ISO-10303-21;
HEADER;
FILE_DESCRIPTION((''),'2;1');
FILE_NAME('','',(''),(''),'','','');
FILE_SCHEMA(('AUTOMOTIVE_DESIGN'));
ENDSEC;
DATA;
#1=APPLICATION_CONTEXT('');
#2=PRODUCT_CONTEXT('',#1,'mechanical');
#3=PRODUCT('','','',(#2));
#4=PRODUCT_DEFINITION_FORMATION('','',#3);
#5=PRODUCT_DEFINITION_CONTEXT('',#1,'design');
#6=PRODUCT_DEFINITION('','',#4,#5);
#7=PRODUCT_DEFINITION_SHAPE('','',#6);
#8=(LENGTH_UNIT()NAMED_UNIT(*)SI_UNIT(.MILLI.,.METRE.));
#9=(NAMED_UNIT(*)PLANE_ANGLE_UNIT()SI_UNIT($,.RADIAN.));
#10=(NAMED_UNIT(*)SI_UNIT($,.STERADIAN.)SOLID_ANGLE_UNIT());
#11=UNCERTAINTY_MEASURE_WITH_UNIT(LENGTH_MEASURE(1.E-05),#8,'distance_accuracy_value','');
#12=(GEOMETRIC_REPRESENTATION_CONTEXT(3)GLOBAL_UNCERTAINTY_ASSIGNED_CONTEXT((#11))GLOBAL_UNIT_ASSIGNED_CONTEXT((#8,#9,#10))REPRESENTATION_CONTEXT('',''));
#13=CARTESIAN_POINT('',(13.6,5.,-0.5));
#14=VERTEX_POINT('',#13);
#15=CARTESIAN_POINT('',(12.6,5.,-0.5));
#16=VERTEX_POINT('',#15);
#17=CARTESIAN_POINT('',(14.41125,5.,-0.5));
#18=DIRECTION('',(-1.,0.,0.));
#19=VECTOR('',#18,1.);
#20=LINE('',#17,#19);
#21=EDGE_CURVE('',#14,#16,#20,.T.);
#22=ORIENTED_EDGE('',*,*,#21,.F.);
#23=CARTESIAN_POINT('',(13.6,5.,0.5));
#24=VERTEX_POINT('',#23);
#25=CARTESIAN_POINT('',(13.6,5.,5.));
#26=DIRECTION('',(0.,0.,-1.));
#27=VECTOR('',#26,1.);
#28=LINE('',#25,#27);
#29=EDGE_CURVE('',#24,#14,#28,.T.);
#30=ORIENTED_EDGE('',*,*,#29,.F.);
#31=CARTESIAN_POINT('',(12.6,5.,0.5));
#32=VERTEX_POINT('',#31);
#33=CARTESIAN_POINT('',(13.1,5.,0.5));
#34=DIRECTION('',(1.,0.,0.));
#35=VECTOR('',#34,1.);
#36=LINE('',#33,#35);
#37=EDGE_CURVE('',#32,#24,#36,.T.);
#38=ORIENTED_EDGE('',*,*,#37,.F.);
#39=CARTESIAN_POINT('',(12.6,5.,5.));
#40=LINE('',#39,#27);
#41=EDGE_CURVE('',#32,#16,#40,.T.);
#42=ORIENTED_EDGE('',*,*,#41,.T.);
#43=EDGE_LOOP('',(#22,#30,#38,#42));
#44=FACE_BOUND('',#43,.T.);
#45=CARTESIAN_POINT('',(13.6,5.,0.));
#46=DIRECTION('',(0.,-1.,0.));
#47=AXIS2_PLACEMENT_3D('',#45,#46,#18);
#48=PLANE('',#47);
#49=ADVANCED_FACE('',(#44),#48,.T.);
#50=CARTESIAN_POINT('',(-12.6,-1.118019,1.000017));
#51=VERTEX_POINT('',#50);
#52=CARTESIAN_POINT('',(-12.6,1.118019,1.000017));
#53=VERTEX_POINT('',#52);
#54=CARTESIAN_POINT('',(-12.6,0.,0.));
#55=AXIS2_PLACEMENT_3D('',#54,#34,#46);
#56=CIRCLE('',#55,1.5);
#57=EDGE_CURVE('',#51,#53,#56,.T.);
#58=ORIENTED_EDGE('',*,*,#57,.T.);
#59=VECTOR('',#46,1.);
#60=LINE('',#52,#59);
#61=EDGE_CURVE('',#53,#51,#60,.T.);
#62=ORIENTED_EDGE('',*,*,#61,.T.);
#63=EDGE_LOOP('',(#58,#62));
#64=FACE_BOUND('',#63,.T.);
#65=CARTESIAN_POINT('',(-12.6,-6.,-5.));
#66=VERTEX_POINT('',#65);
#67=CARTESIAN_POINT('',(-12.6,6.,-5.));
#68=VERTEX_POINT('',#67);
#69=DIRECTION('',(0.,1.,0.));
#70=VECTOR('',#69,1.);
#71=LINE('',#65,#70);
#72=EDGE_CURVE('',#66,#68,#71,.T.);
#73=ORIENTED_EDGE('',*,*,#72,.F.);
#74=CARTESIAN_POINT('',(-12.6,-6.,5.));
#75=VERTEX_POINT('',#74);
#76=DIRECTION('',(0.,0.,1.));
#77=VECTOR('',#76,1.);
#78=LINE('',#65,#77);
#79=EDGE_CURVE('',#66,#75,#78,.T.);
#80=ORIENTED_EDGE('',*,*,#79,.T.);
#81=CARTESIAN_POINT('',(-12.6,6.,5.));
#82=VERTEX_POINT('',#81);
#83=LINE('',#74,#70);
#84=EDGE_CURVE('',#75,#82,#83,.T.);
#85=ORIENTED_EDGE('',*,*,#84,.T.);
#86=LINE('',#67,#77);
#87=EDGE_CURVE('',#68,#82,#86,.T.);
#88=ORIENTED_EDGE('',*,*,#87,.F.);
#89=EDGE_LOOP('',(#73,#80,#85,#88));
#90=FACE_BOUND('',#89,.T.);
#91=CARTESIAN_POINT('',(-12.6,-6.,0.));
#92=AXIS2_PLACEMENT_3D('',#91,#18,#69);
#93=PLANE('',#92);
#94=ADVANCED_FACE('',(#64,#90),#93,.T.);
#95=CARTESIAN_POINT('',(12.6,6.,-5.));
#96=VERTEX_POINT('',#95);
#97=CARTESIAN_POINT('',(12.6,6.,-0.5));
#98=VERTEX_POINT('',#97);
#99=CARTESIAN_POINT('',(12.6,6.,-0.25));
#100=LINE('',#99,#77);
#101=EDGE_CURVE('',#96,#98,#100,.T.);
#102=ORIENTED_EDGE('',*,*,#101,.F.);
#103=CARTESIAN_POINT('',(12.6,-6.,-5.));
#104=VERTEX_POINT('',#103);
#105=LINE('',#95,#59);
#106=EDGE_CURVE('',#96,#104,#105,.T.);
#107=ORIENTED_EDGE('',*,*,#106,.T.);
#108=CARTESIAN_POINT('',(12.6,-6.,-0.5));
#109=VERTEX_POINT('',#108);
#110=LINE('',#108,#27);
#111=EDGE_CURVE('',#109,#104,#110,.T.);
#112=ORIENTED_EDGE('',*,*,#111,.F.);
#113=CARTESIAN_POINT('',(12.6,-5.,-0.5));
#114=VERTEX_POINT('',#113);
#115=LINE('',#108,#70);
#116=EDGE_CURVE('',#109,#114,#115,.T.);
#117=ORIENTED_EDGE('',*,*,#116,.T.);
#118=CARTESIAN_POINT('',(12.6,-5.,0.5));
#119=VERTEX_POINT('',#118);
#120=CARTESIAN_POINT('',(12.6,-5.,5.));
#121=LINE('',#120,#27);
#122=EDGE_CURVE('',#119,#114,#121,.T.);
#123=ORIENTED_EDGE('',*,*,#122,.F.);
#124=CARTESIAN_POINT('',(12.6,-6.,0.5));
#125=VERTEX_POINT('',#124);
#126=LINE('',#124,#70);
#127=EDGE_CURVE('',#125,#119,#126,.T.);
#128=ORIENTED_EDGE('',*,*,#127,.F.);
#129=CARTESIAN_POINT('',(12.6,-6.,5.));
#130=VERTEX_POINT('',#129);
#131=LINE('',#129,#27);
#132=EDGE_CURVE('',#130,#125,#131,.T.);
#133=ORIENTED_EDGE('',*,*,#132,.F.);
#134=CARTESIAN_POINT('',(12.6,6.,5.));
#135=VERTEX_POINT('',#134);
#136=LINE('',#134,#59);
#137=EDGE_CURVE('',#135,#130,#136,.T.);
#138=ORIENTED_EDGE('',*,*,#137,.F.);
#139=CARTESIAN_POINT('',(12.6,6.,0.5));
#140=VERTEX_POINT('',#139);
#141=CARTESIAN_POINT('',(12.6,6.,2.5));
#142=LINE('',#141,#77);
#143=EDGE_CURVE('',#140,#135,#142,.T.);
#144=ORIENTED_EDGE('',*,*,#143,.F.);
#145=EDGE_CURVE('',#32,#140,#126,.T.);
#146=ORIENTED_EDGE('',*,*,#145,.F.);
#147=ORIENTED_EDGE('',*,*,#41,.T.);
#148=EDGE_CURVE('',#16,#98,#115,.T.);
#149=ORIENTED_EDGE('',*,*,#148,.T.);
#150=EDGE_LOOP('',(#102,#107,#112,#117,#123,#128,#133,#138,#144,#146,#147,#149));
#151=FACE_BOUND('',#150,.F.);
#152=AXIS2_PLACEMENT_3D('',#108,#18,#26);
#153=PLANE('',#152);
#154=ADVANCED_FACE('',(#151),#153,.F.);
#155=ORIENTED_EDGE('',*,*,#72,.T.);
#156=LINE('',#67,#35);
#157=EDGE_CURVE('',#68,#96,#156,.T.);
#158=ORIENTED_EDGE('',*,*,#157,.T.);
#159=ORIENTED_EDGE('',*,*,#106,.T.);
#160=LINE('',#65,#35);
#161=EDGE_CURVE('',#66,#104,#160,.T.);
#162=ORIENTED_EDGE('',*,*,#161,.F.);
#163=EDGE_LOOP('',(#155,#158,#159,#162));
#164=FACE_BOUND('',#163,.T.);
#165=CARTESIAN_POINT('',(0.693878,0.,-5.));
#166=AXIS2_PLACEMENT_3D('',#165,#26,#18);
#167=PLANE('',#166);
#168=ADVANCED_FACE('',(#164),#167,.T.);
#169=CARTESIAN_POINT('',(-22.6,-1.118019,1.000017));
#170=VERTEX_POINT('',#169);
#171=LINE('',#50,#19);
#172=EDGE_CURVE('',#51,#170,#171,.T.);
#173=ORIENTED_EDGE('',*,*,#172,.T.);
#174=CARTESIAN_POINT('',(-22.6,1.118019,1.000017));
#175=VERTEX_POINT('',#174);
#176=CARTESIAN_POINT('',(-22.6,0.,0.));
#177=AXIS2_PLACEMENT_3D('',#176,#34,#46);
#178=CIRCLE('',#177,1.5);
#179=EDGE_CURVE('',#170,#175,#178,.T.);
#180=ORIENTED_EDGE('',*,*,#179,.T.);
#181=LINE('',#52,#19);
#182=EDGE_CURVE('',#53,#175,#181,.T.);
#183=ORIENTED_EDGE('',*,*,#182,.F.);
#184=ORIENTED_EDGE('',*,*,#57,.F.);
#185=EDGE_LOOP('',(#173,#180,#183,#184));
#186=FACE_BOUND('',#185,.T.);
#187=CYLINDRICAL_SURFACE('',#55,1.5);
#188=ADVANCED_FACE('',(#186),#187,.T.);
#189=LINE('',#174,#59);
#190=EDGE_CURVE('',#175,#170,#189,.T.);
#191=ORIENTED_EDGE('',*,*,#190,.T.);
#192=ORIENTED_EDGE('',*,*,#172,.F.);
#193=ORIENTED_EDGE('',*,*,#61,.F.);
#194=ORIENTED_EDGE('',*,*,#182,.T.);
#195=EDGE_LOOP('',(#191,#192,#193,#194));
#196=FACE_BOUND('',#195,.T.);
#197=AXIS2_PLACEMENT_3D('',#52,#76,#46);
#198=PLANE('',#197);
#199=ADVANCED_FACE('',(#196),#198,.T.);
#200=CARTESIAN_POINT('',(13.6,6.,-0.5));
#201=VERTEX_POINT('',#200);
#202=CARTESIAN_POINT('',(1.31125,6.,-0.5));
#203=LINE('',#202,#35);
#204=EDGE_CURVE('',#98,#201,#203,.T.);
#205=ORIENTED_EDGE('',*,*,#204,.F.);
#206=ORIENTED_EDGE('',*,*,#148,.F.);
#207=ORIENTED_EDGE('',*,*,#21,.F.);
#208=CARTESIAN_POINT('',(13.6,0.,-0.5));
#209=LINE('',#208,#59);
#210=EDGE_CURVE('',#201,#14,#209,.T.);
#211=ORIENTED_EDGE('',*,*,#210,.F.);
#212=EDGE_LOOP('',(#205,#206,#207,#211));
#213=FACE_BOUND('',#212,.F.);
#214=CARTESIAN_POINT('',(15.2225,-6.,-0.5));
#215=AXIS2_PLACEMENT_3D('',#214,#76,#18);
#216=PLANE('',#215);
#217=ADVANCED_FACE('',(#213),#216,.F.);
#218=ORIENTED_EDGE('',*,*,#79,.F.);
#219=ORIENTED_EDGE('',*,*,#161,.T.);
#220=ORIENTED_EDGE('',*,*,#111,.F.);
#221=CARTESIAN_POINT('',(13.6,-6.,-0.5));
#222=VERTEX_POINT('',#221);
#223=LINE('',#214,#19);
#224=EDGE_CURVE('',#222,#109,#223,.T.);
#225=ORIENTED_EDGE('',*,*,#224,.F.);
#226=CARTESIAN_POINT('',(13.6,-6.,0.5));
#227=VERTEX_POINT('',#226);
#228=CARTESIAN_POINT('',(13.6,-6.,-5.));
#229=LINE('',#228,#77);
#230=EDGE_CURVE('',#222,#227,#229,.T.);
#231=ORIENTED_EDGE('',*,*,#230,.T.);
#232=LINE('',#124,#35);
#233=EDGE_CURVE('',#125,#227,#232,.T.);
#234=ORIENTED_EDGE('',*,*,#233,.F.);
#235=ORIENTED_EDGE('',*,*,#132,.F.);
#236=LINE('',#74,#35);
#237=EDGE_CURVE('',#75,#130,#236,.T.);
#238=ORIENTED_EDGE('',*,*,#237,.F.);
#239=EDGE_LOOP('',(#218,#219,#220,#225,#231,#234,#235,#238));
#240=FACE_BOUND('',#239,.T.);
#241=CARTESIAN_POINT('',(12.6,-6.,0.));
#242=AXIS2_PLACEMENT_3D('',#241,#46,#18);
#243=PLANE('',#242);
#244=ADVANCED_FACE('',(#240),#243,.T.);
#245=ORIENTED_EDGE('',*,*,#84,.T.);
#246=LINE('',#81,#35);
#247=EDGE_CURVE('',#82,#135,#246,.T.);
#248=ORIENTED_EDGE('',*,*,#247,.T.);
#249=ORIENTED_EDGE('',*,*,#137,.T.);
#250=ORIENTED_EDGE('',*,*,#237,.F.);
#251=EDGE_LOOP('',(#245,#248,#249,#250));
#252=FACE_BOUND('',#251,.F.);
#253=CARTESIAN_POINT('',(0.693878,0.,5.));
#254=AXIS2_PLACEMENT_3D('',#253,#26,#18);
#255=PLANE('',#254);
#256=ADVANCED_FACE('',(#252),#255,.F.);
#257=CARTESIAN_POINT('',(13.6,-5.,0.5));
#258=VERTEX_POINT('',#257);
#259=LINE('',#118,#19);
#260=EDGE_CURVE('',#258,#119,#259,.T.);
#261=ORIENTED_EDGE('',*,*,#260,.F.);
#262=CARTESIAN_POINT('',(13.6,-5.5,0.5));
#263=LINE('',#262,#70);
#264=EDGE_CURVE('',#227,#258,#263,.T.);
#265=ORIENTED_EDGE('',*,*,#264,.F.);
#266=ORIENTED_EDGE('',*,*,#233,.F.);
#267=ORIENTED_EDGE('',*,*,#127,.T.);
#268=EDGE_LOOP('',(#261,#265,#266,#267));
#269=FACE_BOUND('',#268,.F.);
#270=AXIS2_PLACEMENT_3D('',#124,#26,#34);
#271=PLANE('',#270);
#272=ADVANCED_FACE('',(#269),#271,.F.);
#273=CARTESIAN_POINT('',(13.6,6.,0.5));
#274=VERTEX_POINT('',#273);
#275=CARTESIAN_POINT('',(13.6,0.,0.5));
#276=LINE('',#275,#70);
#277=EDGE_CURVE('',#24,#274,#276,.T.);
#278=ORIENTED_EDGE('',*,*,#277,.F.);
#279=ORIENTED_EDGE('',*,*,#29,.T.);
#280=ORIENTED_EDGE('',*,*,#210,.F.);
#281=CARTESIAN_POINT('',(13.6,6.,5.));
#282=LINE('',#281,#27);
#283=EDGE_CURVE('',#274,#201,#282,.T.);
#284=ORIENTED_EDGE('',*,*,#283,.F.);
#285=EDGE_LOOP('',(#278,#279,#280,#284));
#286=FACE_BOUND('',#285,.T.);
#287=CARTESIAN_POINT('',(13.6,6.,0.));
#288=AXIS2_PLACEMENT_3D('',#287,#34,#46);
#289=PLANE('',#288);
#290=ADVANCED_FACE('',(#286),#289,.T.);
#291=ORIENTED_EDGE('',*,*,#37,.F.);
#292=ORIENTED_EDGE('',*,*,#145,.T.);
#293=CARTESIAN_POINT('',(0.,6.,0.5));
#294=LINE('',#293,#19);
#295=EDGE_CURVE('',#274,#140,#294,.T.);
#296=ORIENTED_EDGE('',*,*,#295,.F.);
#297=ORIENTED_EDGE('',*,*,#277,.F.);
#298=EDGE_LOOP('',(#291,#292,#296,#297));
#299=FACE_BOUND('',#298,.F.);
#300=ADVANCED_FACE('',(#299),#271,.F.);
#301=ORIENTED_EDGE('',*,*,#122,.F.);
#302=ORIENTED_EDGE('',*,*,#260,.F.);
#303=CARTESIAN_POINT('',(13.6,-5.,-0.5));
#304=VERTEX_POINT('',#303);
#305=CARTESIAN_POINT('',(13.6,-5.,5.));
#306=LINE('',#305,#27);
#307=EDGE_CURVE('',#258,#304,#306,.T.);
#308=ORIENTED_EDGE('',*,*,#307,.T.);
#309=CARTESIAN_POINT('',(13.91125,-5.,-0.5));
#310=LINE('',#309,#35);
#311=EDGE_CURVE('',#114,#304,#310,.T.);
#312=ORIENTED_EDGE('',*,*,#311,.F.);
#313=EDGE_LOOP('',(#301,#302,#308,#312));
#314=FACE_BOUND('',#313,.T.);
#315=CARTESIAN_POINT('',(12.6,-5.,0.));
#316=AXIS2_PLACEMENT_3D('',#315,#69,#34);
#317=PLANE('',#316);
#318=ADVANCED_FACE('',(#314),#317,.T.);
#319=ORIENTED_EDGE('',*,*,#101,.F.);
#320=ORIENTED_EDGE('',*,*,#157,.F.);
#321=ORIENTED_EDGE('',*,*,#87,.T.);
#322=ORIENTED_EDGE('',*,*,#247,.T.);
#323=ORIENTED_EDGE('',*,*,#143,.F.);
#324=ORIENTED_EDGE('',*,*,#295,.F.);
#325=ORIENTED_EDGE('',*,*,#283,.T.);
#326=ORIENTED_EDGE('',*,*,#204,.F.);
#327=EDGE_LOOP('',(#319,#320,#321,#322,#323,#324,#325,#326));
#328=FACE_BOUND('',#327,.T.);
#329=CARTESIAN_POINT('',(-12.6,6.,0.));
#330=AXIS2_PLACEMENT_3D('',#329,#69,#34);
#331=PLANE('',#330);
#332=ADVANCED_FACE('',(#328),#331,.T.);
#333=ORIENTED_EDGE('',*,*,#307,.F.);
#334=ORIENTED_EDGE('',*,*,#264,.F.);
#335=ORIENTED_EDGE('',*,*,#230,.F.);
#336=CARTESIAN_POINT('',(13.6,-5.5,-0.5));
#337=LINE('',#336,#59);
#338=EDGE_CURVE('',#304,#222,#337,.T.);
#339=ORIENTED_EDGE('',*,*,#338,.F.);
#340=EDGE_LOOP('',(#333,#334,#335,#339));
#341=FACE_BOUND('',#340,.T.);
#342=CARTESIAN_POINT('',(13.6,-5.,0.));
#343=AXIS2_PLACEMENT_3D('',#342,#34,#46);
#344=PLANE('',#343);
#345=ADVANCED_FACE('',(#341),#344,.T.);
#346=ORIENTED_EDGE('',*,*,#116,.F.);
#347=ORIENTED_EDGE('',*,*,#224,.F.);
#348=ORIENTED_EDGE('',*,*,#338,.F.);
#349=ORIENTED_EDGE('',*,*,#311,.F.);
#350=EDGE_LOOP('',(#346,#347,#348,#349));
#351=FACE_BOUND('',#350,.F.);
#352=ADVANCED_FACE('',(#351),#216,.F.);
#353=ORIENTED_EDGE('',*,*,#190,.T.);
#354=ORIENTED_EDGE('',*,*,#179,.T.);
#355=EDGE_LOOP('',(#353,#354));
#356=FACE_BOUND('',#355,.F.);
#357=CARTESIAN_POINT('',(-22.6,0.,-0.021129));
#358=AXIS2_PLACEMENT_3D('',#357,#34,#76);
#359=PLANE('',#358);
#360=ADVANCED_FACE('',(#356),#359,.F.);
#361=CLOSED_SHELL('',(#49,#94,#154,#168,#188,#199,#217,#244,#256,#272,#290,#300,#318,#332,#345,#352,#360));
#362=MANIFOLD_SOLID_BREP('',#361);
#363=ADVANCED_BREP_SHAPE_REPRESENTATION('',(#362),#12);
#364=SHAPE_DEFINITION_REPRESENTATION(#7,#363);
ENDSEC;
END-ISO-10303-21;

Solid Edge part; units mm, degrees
sketch "Sketch1" plane through (0, 0, 0) normal (0, 0, 1) x (1, 0, 0)
  line L0 (-12.6, 6) -> (13.6, 6)
  line L1 (13.6, 6) -> (13.6, 5)
  line L2 (13.6, 5) -> (12.6, 5)
  line L3 (12.6, 5) -> (12.6, -5)
  line L4 (12.6, -5) -> (13.6, -5)
  line L5 (13.6, -5) -> (13.6, -6)
  line L6 (13.6, -6) -> (12.6, -6)
  line L7 (12.6, -6) -> (-12.6, -6)
  line L8 (-12.6, -6) -> (-12.6, 6)
  dimension "D1" = 1
  dimension "D2" = 25.2
  dimension "D3" = 12
extrude "Protrusion1" add sketch "Sketch1" along normal mid plane 10
sketch "Sketch2" plane through (-12.6, 0, 0) normal (-1, 0, 0) x (0, -1, 0)
  line L0 (-1.118, 1) -> (1.118, 1)
  arc A0 (1.118, 1) -> (-1.118, 1) centre (0, 0) cw
extrude "Extrusionsausprägung_2" add sketch "Sketch2" along normal blind 10
sketch "Sketch3" plane through (0.5, -6, 0) normal (0, -1, 0) x (1, 0, 0)
  line L0 (12.1, 5) -> (12.1, 0.5)
  line L1 (12.1, 0.5) -> (14.7225, 0.5)
  line L2 (14.7225, 0.5) -> (14.7225, -0.5)
  line L3 (14.7225, -0.5) -> (12.1, -0.5)
  line L4 (12.1, -0.5) -> (12.1, -5)
  line L5 (12.1, -5) -> (16.9728, -5)
  line L6 (16.9728, -5) -> (16.9728, 5)
  line L7 (16.9728, 5) -> (12.1, 5)
  dimension "D1" = 1
  dimension "D2" = 1
extrude "Extrusionsausschnitt_1" cut sketch "Sketch3" against normal blind 24
